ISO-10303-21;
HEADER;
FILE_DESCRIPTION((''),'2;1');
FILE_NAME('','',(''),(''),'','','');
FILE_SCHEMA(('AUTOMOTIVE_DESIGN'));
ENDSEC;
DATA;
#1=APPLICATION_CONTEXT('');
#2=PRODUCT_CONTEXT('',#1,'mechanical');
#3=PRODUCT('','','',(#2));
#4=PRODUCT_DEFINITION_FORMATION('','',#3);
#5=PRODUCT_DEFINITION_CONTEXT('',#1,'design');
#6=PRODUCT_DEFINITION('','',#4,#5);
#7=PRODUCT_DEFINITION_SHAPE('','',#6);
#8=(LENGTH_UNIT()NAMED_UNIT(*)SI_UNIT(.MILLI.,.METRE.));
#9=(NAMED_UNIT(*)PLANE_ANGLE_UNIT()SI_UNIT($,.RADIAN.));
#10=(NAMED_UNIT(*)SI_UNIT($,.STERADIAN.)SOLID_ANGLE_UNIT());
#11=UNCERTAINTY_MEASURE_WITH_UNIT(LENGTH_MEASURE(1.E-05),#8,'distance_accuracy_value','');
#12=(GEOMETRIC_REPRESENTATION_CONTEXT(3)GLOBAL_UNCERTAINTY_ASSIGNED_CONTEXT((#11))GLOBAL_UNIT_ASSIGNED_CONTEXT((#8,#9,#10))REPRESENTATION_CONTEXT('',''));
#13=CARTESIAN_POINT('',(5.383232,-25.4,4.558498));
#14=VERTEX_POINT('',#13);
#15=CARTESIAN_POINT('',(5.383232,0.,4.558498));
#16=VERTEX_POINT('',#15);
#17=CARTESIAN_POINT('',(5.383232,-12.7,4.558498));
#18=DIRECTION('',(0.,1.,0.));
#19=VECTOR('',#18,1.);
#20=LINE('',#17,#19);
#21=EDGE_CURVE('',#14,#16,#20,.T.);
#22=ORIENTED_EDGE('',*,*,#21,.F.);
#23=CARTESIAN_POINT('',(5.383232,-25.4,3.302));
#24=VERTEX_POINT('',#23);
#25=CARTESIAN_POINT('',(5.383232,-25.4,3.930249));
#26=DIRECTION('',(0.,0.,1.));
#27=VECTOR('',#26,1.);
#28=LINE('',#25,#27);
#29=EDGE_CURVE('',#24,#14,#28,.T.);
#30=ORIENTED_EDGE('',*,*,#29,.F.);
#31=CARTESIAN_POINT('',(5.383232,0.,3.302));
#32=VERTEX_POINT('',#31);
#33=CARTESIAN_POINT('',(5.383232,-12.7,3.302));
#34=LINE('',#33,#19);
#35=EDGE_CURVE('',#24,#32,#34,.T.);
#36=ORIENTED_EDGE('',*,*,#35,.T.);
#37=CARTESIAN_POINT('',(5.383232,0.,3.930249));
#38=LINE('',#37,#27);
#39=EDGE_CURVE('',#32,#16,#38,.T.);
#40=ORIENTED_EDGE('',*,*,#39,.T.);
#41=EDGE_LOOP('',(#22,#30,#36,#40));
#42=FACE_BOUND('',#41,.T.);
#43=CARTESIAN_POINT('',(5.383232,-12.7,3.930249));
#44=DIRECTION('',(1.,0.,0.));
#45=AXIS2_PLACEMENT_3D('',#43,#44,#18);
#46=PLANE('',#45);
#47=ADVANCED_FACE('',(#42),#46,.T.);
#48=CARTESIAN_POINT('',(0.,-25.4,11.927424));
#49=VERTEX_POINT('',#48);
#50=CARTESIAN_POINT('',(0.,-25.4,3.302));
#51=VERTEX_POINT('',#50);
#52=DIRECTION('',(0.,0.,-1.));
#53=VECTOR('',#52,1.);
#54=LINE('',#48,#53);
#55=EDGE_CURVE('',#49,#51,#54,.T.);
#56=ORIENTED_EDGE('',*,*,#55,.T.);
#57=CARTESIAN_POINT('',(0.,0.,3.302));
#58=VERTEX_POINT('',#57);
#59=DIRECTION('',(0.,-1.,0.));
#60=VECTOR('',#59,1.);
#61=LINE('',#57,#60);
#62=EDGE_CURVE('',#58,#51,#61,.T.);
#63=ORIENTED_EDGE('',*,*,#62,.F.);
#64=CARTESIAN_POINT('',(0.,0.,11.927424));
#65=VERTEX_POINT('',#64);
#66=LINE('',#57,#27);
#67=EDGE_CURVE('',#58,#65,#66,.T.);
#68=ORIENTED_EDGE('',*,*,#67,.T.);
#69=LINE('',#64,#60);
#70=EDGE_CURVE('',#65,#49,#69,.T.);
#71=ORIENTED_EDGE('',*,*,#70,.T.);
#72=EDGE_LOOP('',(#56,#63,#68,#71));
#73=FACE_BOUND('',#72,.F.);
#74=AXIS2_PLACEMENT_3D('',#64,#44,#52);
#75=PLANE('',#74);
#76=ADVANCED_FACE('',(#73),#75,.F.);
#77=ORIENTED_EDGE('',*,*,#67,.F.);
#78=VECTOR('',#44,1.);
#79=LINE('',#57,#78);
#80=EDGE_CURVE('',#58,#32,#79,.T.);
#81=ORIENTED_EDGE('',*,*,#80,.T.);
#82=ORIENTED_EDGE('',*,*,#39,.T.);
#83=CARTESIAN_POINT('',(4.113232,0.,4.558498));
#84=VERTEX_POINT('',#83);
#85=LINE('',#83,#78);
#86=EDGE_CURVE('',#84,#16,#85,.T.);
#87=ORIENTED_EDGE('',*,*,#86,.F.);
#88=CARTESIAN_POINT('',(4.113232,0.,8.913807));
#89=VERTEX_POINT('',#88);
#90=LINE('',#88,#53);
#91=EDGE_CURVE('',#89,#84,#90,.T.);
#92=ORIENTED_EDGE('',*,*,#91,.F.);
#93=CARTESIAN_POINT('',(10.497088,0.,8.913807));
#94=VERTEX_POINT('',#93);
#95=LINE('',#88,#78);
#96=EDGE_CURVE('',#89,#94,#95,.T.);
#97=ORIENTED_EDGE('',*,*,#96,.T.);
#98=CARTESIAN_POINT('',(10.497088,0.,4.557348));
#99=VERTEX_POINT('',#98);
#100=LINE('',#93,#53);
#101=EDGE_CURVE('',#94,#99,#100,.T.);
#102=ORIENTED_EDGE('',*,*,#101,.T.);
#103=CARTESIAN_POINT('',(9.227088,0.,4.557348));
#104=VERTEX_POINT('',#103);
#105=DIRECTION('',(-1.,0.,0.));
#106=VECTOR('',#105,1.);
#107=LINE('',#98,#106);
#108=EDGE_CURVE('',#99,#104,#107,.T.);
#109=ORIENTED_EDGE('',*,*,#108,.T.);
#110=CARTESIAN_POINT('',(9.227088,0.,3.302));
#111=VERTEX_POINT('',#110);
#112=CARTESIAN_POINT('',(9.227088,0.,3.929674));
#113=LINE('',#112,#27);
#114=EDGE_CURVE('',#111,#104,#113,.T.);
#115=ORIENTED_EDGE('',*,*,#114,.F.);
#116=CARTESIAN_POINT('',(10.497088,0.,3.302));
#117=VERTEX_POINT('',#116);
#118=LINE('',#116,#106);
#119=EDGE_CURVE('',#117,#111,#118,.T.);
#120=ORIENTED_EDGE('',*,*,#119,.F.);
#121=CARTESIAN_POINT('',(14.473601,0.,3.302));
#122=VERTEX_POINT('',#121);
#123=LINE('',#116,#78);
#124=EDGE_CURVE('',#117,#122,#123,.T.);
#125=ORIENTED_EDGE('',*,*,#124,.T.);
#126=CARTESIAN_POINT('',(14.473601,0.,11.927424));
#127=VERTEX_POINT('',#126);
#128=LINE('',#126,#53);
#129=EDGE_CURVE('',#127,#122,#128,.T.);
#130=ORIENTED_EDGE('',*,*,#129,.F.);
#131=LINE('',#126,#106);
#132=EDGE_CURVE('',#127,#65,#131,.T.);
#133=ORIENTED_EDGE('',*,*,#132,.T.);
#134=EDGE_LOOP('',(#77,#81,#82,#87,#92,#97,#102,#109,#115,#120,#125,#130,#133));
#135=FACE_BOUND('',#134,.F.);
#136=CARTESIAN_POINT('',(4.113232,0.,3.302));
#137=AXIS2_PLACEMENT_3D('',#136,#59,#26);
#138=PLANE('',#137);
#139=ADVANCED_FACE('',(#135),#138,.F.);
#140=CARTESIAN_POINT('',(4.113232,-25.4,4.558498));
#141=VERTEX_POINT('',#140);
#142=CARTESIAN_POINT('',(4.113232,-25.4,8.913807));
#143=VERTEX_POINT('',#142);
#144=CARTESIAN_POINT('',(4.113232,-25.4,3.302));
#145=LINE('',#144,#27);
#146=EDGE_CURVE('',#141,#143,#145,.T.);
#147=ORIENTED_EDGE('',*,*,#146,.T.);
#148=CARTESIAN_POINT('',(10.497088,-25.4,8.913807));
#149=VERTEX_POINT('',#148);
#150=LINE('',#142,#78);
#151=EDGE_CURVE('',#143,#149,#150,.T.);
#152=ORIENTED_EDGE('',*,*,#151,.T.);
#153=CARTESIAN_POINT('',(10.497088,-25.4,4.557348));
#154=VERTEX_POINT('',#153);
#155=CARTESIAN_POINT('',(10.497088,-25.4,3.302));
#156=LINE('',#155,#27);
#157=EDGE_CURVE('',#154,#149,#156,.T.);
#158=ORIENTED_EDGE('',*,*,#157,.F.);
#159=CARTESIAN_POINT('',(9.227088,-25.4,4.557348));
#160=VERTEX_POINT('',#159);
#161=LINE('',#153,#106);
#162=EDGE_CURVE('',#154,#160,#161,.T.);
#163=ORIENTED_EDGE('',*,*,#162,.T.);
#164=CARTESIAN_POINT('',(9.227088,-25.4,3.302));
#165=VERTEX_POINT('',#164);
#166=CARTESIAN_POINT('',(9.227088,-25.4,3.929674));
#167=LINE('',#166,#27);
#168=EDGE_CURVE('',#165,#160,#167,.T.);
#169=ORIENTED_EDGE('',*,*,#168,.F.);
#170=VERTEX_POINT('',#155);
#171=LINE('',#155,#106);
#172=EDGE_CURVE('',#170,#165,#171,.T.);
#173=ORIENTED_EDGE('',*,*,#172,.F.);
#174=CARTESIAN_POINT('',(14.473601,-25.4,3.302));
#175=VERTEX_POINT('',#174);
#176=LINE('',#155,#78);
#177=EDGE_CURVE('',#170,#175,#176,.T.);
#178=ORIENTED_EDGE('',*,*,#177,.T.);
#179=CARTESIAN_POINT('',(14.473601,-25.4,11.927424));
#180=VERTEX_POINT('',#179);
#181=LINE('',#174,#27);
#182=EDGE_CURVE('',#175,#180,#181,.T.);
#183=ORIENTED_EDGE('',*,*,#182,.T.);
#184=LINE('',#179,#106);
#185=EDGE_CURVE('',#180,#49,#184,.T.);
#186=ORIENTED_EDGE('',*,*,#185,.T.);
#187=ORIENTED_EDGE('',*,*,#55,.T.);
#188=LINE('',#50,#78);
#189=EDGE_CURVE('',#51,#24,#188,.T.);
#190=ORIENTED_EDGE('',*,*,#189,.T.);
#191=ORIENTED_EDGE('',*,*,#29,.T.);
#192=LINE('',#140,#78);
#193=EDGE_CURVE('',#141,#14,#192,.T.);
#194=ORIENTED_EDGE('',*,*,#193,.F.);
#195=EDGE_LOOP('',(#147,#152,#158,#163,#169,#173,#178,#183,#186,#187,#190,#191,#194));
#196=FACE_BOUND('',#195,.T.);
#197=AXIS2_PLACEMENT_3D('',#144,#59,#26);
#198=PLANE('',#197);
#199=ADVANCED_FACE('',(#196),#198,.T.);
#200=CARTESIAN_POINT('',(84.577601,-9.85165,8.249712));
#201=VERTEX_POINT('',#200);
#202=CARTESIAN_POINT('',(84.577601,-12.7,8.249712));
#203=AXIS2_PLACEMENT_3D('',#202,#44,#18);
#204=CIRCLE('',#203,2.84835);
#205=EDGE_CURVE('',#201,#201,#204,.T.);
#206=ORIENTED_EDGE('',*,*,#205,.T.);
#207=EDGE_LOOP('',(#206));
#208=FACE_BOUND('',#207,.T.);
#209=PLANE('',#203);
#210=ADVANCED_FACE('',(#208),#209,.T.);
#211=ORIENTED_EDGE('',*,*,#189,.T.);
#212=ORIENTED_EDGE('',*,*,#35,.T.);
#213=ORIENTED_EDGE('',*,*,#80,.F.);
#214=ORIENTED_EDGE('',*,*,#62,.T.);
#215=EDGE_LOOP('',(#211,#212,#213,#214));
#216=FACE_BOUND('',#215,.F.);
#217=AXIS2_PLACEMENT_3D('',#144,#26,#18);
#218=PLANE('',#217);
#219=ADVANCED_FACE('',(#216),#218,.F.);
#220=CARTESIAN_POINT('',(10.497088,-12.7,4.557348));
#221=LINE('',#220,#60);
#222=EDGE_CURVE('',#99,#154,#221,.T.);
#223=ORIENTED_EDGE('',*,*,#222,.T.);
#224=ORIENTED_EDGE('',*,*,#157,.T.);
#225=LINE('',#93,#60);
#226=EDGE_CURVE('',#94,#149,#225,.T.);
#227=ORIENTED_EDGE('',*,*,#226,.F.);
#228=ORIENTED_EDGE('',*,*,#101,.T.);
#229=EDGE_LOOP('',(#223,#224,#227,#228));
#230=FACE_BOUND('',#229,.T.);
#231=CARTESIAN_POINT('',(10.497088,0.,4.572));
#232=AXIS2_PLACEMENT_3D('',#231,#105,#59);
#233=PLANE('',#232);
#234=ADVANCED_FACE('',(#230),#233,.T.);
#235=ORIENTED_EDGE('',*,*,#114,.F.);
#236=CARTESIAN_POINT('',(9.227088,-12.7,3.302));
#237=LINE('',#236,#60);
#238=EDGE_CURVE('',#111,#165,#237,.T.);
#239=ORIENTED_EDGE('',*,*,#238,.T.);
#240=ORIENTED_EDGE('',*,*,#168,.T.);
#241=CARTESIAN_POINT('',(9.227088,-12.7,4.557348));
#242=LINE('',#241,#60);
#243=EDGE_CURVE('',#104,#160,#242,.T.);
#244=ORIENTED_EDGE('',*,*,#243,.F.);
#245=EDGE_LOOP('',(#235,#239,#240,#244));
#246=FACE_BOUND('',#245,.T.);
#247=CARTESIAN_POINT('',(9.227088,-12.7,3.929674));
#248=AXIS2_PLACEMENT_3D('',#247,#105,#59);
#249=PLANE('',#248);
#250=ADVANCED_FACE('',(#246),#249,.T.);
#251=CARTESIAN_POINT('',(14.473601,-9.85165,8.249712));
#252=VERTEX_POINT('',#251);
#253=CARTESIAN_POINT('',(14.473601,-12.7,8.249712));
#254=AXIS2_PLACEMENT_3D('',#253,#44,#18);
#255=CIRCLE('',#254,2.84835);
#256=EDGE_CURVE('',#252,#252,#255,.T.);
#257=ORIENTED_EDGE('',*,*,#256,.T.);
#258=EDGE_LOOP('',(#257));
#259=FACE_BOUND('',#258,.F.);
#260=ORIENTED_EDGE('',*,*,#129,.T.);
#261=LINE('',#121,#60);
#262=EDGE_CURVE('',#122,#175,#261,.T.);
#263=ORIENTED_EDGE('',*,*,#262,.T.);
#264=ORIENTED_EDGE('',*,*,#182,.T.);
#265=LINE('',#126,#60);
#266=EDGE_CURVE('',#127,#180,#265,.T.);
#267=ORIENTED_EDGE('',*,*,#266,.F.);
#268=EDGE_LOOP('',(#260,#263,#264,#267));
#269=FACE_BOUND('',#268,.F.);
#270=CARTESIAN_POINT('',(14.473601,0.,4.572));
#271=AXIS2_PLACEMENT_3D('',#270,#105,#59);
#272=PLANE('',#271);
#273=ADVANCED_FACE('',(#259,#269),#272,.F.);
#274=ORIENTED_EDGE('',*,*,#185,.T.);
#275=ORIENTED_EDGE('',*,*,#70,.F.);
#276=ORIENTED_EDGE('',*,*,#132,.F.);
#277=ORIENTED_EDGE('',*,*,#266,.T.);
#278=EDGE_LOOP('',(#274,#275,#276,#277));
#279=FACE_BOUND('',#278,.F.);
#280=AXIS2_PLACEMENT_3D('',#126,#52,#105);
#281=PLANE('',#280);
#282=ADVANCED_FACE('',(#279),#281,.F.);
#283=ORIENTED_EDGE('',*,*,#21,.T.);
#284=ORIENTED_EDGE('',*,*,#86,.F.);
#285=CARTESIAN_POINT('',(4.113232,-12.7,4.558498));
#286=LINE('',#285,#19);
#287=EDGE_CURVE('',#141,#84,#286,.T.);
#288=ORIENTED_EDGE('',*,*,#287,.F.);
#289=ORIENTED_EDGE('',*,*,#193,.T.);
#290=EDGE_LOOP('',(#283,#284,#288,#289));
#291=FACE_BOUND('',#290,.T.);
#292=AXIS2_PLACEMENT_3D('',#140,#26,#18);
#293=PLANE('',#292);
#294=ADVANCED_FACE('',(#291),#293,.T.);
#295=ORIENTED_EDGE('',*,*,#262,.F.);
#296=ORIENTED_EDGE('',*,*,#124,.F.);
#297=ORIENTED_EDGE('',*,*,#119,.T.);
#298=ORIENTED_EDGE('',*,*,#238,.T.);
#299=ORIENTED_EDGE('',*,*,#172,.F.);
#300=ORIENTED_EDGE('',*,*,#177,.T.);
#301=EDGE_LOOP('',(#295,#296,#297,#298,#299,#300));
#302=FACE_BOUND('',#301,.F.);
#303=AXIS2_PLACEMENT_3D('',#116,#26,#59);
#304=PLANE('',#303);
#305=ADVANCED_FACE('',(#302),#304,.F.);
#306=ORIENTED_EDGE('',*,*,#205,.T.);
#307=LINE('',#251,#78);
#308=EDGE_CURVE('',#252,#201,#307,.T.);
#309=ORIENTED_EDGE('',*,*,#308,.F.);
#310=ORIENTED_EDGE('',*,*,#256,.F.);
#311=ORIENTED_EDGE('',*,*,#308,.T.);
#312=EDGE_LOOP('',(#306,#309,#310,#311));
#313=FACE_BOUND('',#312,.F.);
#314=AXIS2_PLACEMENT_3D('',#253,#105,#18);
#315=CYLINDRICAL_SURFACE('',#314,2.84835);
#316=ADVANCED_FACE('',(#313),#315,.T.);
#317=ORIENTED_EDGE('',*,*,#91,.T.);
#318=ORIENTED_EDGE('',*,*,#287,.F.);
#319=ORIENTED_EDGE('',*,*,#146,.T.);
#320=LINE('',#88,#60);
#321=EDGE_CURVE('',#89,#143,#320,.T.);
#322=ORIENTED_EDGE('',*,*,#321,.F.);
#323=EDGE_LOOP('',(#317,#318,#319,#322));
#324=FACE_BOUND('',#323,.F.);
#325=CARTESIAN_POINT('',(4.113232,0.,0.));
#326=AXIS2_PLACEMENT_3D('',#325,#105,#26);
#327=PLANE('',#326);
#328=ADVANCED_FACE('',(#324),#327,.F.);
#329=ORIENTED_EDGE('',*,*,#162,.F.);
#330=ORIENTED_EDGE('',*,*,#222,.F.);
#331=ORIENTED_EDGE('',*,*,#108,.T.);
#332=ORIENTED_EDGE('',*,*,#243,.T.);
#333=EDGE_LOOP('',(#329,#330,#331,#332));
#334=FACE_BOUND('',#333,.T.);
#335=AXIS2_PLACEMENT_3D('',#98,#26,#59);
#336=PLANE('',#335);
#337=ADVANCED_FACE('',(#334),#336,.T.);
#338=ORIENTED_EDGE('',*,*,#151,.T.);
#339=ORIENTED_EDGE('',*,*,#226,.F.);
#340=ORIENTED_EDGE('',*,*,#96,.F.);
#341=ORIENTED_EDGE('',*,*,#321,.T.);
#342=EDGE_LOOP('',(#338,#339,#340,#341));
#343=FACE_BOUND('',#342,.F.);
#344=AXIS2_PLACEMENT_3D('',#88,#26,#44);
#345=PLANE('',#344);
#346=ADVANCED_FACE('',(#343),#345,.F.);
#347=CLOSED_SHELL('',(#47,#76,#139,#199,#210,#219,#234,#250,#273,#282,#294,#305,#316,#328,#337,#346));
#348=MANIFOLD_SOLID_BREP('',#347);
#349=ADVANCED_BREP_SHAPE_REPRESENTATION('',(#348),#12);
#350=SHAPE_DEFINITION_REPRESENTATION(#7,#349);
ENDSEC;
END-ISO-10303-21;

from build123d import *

# Parameters (mm, degrees)
F1_DEPTH = 25.4
F2_DEPTH = 4.572
F3_R     = 2.8483502815
F4_DEPTH = 70.104
F5_DEPTH = 1.27
F6_W     = 25.4
F6_H     = 1.2553478565
F8_DEPTH = 1.27
F7_W     = 25.4
F7_H     = 1.2564980398
F9_DEPTH = 1.27


with BuildPart() as f1:
    # F0 (on Front) → F1 (new body)
    with BuildSketch(Plane.XZ):
        Polygon((0, 11.9274239987), (0, 0), (4.1132315528, 0), (4.1132315528, 8.9138071053), (10.4970876127, 8.9138071053), (10.4970876127, 0), (14.4736012444, 0), (14.4736012444, 11.9274239987), align=None)
    extrude(amount=F1_DEPTH)

    # F2 (cut): faces of the model
    f2_faces = [f1.faces().sort_by_distance(p)[0] for p in [
        (2.0566157764, -12.7, 0),
        (12.4853444286, -12.7, 0),
    ]]
    extrude(f2_faces, amount=-F2_DEPTH, mode=Mode.SUBTRACT)

    # F3 (on face) → F4 (join)
    with BuildSketch(Plane.YZ.offset(14.4736012444)):
        with Locations((-12.7, 8.2497119994)):
            Circle(F3_R)
    extrude(amount=F4_DEPTH)

    # F5 (add): faces of the model
    f5_faces = [f1.faces().sort_by_distance(p)[0] for p in [
        (12.4853444286, -12.7, 4.572),
        (2.0566157764, -12.7, 4.572),
    ]]
    extrude(f5_faces, amount=F5_DEPTH)

    # F6 (on face) → F8 (join)
    with BuildSketch(Plane(origin=(10.4970876127, 0, 0), x_dir=(0, -1, 0), z_dir=(-1, 0, 0))):
        with Locations((12.7, 3.9296739282)):
            Rectangle(F6_W, F6_H)
    extrude(amount=F8_DEPTH)

    # F7 (on face) → F9 (join)
    with BuildSketch(Plane.YZ.offset(4.1132315528)):
        with Locations((-12.7, 3.9302490199)):
            Rectangle(F7_W, F7_H)
    extrude(amount=F9_DEPTH)


solid = f1.part
